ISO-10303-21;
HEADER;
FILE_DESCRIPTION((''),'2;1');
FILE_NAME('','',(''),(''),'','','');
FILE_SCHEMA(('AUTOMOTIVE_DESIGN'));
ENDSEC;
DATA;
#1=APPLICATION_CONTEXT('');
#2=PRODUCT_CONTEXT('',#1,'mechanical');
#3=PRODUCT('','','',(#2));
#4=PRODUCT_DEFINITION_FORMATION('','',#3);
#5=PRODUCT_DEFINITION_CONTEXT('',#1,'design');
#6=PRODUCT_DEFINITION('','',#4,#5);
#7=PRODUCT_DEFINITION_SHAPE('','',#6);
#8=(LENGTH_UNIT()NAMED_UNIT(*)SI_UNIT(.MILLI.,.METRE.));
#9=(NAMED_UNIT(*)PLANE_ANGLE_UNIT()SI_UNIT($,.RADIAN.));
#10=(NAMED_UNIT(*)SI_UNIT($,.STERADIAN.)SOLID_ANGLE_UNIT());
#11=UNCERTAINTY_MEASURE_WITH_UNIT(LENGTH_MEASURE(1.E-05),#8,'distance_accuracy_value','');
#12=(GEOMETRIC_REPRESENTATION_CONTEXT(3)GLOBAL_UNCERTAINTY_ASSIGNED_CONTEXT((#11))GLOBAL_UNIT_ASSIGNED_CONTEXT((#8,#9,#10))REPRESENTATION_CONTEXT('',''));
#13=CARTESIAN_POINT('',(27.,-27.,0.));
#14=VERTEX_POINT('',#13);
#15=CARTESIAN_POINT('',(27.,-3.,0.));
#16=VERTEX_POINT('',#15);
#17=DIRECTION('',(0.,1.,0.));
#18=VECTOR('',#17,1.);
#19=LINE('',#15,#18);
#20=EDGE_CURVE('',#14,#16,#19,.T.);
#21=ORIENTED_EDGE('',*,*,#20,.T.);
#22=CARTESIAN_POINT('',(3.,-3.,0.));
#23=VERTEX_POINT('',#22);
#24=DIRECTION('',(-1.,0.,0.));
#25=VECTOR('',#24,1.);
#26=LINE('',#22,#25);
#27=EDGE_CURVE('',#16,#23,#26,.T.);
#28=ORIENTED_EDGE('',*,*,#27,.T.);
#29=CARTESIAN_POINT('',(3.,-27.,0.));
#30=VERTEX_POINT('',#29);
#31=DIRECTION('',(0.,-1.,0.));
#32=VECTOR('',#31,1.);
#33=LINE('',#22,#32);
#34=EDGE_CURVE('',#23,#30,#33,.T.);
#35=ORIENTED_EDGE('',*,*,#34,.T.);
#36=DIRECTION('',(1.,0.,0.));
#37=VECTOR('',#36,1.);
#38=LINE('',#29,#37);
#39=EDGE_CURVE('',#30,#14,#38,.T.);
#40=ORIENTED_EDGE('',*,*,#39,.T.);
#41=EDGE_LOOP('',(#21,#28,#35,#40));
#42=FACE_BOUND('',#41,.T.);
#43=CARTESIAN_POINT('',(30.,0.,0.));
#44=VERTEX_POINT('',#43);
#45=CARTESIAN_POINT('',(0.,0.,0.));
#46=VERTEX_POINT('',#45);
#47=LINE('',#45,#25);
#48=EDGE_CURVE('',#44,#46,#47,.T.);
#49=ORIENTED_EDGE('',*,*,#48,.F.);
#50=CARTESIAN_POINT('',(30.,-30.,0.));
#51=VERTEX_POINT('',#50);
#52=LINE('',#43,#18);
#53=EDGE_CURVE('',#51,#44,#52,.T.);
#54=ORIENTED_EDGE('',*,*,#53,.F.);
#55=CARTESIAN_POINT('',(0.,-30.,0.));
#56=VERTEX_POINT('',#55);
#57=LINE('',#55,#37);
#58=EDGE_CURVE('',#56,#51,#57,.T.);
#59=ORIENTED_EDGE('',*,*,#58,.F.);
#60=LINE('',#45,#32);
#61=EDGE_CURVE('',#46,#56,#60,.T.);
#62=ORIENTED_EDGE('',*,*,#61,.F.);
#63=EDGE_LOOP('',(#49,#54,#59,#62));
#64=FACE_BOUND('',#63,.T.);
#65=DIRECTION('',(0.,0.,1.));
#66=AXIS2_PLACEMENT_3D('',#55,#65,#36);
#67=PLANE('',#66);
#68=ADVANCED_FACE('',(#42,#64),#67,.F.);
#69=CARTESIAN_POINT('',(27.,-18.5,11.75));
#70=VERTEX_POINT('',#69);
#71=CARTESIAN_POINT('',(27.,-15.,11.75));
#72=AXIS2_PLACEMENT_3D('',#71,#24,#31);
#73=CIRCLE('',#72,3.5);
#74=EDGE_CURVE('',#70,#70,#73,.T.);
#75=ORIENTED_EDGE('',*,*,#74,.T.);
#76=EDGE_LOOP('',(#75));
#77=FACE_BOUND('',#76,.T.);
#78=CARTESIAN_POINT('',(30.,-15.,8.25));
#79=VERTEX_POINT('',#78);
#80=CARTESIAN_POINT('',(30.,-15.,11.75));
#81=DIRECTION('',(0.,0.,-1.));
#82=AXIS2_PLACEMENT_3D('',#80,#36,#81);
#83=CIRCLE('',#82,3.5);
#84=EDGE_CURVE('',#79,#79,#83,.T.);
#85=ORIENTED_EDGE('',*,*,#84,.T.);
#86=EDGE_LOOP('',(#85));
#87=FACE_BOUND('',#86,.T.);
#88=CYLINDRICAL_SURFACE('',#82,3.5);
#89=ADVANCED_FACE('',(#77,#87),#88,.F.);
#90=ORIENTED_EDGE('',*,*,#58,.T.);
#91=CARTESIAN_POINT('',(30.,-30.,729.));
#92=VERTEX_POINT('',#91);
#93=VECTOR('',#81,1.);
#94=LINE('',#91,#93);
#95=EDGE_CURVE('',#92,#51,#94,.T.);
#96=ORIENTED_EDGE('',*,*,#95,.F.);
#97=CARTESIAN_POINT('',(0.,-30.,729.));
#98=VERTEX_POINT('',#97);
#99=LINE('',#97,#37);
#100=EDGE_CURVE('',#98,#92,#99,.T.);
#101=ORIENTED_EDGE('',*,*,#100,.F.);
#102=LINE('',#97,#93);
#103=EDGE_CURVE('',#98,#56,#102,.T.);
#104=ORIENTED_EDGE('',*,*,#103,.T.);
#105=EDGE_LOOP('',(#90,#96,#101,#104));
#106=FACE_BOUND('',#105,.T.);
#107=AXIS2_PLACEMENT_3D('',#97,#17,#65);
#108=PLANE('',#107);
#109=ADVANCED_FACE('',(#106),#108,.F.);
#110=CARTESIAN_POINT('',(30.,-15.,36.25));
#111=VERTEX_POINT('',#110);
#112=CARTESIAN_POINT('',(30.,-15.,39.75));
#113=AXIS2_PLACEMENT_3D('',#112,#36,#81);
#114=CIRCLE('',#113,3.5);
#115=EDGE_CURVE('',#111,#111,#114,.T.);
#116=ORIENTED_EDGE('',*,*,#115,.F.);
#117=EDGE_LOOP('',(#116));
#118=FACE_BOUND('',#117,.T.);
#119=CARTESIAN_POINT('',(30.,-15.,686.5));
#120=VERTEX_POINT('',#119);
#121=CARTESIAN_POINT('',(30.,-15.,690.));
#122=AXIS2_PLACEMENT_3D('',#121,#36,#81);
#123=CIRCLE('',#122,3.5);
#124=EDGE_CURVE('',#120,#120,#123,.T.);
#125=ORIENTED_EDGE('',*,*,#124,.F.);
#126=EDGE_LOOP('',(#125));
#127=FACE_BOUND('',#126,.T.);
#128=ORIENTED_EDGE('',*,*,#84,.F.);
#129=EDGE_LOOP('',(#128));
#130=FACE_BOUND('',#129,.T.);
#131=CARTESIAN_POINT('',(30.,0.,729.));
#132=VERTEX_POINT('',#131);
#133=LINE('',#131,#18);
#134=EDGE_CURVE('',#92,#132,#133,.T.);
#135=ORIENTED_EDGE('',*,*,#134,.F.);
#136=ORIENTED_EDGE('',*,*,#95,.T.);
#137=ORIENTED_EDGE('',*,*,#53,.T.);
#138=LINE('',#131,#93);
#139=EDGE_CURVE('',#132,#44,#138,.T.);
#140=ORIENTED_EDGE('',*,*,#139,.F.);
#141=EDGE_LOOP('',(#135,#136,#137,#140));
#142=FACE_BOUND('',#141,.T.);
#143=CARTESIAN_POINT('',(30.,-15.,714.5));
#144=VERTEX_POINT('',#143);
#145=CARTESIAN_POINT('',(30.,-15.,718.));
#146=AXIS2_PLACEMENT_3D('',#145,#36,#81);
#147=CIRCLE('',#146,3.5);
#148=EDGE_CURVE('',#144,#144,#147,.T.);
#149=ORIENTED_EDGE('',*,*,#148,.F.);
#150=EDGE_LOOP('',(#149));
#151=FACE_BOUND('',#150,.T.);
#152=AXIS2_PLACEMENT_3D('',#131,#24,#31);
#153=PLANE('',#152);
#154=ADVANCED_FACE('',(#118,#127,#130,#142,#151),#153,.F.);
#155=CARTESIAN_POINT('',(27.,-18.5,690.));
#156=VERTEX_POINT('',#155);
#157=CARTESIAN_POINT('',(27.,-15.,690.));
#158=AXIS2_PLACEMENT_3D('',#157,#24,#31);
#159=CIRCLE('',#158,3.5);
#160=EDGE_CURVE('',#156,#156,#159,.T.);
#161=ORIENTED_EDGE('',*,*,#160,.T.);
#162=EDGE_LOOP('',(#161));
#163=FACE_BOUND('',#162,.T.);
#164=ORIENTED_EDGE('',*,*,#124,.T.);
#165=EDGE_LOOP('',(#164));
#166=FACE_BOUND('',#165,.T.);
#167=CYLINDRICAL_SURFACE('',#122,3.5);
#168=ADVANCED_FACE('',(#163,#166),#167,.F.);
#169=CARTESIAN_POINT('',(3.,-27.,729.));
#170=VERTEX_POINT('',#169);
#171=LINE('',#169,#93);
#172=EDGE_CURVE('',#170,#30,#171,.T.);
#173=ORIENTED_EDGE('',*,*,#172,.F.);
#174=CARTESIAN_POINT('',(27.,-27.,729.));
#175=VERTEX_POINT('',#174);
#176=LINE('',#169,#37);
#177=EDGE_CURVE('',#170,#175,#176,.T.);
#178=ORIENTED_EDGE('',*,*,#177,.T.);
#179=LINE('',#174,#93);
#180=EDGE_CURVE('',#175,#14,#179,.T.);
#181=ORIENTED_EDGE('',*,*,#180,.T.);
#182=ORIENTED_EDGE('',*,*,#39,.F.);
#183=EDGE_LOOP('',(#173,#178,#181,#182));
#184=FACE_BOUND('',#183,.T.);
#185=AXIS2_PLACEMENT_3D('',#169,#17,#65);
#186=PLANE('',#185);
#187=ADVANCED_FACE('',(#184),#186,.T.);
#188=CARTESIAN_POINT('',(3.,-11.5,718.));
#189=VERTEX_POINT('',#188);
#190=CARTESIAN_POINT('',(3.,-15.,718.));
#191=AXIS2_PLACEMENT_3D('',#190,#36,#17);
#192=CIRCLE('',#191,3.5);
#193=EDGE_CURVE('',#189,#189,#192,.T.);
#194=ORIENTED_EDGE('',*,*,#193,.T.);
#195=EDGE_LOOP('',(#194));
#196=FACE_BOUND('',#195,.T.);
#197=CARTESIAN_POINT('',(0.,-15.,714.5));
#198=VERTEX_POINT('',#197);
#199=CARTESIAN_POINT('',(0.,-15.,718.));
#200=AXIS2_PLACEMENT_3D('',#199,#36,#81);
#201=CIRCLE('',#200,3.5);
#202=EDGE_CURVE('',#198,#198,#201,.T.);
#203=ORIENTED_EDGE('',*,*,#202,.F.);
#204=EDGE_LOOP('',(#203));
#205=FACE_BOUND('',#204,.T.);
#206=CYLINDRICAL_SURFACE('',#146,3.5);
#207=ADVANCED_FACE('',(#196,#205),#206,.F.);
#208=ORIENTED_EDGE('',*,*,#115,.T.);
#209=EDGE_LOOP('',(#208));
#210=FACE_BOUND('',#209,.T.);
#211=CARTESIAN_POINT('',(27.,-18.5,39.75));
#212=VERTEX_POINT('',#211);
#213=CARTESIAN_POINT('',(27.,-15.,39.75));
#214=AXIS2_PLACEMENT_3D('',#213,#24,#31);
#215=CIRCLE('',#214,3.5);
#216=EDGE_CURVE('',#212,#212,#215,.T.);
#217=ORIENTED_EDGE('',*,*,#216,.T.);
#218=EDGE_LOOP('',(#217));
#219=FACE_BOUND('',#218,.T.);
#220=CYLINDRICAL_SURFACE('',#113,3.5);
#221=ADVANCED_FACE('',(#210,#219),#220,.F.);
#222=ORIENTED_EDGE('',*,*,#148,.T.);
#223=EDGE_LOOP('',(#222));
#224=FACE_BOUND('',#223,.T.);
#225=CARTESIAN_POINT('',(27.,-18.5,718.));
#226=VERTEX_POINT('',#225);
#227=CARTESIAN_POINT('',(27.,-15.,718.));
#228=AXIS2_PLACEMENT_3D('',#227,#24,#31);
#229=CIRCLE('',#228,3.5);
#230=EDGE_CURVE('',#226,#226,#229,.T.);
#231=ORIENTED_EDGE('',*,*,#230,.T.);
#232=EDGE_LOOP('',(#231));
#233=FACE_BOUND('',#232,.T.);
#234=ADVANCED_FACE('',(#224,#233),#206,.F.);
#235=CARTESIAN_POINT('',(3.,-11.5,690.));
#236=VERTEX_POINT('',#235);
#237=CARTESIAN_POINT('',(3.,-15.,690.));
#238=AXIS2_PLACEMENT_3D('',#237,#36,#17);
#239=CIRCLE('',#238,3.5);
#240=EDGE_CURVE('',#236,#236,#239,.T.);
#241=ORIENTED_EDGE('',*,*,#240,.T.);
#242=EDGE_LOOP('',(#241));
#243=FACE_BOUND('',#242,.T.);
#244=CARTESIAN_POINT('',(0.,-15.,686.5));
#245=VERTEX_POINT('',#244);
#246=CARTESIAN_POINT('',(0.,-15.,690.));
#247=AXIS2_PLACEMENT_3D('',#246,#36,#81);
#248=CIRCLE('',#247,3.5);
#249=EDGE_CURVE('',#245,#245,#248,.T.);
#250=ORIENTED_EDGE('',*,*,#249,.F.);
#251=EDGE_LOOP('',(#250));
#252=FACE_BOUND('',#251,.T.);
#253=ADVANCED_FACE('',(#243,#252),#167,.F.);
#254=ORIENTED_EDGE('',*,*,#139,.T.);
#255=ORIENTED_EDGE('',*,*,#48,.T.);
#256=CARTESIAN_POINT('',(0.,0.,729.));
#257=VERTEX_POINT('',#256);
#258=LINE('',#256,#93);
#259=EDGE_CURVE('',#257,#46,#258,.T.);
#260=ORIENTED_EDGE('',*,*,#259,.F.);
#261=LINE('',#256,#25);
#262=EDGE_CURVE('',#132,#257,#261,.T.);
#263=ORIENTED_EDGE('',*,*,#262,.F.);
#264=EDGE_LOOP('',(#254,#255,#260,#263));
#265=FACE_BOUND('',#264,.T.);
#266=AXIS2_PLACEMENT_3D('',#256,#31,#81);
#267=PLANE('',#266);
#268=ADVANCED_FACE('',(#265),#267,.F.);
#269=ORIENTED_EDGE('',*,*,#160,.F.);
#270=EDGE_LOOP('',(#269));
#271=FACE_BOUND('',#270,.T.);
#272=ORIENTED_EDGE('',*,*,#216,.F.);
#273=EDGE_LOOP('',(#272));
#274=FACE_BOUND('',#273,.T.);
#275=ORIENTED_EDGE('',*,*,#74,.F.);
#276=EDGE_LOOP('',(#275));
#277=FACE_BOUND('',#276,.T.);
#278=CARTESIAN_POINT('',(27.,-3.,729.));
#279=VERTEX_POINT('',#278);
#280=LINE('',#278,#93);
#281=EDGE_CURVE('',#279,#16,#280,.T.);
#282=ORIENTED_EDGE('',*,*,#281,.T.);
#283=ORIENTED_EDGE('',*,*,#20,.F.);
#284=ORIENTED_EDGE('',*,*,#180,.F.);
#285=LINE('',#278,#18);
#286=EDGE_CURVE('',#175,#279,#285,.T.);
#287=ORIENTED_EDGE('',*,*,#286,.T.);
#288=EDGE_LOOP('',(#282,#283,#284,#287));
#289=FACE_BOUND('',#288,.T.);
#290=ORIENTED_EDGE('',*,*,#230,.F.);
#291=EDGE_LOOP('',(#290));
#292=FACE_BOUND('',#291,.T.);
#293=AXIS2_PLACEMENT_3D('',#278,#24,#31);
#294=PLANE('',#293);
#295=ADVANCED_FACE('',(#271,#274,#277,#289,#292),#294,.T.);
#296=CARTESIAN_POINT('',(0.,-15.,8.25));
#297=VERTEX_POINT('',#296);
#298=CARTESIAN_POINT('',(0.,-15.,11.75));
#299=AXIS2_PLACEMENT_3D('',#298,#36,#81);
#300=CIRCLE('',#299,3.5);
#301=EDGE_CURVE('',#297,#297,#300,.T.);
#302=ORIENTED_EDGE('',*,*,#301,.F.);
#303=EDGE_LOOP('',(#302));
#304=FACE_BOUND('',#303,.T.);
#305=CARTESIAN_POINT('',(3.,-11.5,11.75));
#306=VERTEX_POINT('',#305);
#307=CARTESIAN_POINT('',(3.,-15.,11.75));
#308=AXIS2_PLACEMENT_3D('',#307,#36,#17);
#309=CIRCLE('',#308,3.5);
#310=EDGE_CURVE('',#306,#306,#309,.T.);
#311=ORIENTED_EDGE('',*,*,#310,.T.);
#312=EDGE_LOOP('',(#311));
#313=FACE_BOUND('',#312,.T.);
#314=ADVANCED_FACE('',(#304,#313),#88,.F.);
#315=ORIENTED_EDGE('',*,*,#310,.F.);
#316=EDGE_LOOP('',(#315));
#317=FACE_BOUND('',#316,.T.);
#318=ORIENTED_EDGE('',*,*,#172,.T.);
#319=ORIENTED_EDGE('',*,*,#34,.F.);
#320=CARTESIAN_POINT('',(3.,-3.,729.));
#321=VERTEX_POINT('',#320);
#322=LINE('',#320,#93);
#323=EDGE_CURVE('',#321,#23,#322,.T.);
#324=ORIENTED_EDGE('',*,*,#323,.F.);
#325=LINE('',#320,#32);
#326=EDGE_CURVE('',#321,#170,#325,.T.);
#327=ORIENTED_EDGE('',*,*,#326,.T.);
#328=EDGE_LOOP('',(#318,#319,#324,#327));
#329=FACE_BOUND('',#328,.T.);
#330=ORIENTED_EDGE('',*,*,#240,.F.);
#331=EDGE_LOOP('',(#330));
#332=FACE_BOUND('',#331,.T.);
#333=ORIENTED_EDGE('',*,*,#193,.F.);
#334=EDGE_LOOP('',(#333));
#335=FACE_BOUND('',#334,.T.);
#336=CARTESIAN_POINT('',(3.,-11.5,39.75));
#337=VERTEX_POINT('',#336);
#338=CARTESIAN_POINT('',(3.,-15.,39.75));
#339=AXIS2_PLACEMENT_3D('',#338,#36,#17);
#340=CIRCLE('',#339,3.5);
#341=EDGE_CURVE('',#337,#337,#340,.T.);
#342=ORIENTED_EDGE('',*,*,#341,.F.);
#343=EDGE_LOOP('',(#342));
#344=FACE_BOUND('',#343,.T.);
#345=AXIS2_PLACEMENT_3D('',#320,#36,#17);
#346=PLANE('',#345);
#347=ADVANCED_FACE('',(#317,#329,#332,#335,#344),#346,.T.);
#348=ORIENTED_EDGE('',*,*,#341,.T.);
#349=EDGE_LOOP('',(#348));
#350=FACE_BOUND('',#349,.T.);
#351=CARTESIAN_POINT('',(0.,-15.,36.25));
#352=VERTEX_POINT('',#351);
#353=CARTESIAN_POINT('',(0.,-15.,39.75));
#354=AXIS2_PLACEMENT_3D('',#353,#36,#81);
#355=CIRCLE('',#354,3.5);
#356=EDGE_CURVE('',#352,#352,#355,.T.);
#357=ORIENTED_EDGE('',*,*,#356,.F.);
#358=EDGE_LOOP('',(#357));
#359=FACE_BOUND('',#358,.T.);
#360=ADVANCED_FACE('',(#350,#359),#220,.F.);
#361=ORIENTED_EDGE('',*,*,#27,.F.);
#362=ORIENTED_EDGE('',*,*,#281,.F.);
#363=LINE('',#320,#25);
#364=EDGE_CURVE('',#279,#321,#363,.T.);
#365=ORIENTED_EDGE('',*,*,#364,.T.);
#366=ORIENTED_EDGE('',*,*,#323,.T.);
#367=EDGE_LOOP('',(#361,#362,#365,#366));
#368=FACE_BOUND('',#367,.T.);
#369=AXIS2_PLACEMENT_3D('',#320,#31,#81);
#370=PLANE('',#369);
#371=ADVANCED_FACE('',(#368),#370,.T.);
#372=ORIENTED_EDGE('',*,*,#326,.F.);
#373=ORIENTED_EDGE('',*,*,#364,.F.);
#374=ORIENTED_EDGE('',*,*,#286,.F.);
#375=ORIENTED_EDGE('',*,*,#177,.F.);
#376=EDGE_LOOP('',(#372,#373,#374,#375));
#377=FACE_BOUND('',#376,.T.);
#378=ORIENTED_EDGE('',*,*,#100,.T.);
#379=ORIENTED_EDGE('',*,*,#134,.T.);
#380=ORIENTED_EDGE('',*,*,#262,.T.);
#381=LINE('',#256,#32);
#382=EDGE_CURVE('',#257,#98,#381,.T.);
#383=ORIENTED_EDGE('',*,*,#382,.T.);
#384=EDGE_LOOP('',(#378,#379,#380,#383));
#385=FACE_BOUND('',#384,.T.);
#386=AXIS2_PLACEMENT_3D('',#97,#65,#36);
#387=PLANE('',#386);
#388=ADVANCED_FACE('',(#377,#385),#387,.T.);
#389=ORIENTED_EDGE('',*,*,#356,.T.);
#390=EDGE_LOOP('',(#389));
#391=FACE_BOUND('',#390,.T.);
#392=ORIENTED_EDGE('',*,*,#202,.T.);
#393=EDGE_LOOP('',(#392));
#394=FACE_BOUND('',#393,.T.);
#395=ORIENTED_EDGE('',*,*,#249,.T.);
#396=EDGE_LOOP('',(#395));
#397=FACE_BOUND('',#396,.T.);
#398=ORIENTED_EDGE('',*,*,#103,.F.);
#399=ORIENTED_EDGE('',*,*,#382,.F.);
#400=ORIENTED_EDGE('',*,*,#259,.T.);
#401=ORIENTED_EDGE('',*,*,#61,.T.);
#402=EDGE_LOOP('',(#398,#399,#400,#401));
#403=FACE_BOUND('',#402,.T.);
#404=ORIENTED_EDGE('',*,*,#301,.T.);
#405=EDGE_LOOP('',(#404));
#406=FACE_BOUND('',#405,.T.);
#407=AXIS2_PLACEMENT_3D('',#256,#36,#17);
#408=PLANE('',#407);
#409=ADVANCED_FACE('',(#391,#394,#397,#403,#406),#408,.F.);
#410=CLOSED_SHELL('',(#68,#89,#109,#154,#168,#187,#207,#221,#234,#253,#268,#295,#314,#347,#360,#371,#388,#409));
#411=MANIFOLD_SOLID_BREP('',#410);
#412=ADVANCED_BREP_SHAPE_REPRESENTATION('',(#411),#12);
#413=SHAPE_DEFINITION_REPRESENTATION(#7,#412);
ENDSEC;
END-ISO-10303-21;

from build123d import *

# Parameters (mm, degrees)
SKETCH_1_W             = 30
SKETCH_1_H             = 30
SKETCH_1_W_2           = 24
SKETCH_1_H_2           = 24
EXTRUDE_1_DEPTH        = 729
HOLE_WIZARD_7_0_7_1_D  = 7
PATTERN_LINEAR_1_COUNT = 2
PATTERN_LINEAR_1_PITCH = 678.25


with BuildPart() as part:
    # 草图1 → 拉伸1 (new body)
    with BuildSketch(Plane.XY):
        with Locations((15, -15)):
            Rectangle(SKETCH_1_W, SKETCH_1_H)
        with Locations((15, -15)):
            Rectangle(SKETCH_1_W_2, SKETCH_1_H_2, mode=Mode.SUBTRACT)
    extrude(amount=EXTRUDE_1_DEPTH)

    # Ø7.0 (7) 直径孔1 (through all)
    with Locations(Plane(origin=(30, 0, 0), x_dir=(0, 0, -1), z_dir=(1, 0, 0))):
        with Locations((-718, -15), (-690, -15)):
            hole_wizard_7_0_7_1 = Hole(HOLE_WIZARD_7_0_7_1_D / 2)

    # 阵列(线性)1: Ø7.0 (7) 直径孔1 ×2
    with Locations(*[(0, 0, -i * PATTERN_LINEAR_1_PITCH) for i in range(1, PATTERN_LINEAR_1_COUNT)]):
        add(hole_wizard_7_0_7_1, mode=Mode.SUBTRACT)


solid = part.part
